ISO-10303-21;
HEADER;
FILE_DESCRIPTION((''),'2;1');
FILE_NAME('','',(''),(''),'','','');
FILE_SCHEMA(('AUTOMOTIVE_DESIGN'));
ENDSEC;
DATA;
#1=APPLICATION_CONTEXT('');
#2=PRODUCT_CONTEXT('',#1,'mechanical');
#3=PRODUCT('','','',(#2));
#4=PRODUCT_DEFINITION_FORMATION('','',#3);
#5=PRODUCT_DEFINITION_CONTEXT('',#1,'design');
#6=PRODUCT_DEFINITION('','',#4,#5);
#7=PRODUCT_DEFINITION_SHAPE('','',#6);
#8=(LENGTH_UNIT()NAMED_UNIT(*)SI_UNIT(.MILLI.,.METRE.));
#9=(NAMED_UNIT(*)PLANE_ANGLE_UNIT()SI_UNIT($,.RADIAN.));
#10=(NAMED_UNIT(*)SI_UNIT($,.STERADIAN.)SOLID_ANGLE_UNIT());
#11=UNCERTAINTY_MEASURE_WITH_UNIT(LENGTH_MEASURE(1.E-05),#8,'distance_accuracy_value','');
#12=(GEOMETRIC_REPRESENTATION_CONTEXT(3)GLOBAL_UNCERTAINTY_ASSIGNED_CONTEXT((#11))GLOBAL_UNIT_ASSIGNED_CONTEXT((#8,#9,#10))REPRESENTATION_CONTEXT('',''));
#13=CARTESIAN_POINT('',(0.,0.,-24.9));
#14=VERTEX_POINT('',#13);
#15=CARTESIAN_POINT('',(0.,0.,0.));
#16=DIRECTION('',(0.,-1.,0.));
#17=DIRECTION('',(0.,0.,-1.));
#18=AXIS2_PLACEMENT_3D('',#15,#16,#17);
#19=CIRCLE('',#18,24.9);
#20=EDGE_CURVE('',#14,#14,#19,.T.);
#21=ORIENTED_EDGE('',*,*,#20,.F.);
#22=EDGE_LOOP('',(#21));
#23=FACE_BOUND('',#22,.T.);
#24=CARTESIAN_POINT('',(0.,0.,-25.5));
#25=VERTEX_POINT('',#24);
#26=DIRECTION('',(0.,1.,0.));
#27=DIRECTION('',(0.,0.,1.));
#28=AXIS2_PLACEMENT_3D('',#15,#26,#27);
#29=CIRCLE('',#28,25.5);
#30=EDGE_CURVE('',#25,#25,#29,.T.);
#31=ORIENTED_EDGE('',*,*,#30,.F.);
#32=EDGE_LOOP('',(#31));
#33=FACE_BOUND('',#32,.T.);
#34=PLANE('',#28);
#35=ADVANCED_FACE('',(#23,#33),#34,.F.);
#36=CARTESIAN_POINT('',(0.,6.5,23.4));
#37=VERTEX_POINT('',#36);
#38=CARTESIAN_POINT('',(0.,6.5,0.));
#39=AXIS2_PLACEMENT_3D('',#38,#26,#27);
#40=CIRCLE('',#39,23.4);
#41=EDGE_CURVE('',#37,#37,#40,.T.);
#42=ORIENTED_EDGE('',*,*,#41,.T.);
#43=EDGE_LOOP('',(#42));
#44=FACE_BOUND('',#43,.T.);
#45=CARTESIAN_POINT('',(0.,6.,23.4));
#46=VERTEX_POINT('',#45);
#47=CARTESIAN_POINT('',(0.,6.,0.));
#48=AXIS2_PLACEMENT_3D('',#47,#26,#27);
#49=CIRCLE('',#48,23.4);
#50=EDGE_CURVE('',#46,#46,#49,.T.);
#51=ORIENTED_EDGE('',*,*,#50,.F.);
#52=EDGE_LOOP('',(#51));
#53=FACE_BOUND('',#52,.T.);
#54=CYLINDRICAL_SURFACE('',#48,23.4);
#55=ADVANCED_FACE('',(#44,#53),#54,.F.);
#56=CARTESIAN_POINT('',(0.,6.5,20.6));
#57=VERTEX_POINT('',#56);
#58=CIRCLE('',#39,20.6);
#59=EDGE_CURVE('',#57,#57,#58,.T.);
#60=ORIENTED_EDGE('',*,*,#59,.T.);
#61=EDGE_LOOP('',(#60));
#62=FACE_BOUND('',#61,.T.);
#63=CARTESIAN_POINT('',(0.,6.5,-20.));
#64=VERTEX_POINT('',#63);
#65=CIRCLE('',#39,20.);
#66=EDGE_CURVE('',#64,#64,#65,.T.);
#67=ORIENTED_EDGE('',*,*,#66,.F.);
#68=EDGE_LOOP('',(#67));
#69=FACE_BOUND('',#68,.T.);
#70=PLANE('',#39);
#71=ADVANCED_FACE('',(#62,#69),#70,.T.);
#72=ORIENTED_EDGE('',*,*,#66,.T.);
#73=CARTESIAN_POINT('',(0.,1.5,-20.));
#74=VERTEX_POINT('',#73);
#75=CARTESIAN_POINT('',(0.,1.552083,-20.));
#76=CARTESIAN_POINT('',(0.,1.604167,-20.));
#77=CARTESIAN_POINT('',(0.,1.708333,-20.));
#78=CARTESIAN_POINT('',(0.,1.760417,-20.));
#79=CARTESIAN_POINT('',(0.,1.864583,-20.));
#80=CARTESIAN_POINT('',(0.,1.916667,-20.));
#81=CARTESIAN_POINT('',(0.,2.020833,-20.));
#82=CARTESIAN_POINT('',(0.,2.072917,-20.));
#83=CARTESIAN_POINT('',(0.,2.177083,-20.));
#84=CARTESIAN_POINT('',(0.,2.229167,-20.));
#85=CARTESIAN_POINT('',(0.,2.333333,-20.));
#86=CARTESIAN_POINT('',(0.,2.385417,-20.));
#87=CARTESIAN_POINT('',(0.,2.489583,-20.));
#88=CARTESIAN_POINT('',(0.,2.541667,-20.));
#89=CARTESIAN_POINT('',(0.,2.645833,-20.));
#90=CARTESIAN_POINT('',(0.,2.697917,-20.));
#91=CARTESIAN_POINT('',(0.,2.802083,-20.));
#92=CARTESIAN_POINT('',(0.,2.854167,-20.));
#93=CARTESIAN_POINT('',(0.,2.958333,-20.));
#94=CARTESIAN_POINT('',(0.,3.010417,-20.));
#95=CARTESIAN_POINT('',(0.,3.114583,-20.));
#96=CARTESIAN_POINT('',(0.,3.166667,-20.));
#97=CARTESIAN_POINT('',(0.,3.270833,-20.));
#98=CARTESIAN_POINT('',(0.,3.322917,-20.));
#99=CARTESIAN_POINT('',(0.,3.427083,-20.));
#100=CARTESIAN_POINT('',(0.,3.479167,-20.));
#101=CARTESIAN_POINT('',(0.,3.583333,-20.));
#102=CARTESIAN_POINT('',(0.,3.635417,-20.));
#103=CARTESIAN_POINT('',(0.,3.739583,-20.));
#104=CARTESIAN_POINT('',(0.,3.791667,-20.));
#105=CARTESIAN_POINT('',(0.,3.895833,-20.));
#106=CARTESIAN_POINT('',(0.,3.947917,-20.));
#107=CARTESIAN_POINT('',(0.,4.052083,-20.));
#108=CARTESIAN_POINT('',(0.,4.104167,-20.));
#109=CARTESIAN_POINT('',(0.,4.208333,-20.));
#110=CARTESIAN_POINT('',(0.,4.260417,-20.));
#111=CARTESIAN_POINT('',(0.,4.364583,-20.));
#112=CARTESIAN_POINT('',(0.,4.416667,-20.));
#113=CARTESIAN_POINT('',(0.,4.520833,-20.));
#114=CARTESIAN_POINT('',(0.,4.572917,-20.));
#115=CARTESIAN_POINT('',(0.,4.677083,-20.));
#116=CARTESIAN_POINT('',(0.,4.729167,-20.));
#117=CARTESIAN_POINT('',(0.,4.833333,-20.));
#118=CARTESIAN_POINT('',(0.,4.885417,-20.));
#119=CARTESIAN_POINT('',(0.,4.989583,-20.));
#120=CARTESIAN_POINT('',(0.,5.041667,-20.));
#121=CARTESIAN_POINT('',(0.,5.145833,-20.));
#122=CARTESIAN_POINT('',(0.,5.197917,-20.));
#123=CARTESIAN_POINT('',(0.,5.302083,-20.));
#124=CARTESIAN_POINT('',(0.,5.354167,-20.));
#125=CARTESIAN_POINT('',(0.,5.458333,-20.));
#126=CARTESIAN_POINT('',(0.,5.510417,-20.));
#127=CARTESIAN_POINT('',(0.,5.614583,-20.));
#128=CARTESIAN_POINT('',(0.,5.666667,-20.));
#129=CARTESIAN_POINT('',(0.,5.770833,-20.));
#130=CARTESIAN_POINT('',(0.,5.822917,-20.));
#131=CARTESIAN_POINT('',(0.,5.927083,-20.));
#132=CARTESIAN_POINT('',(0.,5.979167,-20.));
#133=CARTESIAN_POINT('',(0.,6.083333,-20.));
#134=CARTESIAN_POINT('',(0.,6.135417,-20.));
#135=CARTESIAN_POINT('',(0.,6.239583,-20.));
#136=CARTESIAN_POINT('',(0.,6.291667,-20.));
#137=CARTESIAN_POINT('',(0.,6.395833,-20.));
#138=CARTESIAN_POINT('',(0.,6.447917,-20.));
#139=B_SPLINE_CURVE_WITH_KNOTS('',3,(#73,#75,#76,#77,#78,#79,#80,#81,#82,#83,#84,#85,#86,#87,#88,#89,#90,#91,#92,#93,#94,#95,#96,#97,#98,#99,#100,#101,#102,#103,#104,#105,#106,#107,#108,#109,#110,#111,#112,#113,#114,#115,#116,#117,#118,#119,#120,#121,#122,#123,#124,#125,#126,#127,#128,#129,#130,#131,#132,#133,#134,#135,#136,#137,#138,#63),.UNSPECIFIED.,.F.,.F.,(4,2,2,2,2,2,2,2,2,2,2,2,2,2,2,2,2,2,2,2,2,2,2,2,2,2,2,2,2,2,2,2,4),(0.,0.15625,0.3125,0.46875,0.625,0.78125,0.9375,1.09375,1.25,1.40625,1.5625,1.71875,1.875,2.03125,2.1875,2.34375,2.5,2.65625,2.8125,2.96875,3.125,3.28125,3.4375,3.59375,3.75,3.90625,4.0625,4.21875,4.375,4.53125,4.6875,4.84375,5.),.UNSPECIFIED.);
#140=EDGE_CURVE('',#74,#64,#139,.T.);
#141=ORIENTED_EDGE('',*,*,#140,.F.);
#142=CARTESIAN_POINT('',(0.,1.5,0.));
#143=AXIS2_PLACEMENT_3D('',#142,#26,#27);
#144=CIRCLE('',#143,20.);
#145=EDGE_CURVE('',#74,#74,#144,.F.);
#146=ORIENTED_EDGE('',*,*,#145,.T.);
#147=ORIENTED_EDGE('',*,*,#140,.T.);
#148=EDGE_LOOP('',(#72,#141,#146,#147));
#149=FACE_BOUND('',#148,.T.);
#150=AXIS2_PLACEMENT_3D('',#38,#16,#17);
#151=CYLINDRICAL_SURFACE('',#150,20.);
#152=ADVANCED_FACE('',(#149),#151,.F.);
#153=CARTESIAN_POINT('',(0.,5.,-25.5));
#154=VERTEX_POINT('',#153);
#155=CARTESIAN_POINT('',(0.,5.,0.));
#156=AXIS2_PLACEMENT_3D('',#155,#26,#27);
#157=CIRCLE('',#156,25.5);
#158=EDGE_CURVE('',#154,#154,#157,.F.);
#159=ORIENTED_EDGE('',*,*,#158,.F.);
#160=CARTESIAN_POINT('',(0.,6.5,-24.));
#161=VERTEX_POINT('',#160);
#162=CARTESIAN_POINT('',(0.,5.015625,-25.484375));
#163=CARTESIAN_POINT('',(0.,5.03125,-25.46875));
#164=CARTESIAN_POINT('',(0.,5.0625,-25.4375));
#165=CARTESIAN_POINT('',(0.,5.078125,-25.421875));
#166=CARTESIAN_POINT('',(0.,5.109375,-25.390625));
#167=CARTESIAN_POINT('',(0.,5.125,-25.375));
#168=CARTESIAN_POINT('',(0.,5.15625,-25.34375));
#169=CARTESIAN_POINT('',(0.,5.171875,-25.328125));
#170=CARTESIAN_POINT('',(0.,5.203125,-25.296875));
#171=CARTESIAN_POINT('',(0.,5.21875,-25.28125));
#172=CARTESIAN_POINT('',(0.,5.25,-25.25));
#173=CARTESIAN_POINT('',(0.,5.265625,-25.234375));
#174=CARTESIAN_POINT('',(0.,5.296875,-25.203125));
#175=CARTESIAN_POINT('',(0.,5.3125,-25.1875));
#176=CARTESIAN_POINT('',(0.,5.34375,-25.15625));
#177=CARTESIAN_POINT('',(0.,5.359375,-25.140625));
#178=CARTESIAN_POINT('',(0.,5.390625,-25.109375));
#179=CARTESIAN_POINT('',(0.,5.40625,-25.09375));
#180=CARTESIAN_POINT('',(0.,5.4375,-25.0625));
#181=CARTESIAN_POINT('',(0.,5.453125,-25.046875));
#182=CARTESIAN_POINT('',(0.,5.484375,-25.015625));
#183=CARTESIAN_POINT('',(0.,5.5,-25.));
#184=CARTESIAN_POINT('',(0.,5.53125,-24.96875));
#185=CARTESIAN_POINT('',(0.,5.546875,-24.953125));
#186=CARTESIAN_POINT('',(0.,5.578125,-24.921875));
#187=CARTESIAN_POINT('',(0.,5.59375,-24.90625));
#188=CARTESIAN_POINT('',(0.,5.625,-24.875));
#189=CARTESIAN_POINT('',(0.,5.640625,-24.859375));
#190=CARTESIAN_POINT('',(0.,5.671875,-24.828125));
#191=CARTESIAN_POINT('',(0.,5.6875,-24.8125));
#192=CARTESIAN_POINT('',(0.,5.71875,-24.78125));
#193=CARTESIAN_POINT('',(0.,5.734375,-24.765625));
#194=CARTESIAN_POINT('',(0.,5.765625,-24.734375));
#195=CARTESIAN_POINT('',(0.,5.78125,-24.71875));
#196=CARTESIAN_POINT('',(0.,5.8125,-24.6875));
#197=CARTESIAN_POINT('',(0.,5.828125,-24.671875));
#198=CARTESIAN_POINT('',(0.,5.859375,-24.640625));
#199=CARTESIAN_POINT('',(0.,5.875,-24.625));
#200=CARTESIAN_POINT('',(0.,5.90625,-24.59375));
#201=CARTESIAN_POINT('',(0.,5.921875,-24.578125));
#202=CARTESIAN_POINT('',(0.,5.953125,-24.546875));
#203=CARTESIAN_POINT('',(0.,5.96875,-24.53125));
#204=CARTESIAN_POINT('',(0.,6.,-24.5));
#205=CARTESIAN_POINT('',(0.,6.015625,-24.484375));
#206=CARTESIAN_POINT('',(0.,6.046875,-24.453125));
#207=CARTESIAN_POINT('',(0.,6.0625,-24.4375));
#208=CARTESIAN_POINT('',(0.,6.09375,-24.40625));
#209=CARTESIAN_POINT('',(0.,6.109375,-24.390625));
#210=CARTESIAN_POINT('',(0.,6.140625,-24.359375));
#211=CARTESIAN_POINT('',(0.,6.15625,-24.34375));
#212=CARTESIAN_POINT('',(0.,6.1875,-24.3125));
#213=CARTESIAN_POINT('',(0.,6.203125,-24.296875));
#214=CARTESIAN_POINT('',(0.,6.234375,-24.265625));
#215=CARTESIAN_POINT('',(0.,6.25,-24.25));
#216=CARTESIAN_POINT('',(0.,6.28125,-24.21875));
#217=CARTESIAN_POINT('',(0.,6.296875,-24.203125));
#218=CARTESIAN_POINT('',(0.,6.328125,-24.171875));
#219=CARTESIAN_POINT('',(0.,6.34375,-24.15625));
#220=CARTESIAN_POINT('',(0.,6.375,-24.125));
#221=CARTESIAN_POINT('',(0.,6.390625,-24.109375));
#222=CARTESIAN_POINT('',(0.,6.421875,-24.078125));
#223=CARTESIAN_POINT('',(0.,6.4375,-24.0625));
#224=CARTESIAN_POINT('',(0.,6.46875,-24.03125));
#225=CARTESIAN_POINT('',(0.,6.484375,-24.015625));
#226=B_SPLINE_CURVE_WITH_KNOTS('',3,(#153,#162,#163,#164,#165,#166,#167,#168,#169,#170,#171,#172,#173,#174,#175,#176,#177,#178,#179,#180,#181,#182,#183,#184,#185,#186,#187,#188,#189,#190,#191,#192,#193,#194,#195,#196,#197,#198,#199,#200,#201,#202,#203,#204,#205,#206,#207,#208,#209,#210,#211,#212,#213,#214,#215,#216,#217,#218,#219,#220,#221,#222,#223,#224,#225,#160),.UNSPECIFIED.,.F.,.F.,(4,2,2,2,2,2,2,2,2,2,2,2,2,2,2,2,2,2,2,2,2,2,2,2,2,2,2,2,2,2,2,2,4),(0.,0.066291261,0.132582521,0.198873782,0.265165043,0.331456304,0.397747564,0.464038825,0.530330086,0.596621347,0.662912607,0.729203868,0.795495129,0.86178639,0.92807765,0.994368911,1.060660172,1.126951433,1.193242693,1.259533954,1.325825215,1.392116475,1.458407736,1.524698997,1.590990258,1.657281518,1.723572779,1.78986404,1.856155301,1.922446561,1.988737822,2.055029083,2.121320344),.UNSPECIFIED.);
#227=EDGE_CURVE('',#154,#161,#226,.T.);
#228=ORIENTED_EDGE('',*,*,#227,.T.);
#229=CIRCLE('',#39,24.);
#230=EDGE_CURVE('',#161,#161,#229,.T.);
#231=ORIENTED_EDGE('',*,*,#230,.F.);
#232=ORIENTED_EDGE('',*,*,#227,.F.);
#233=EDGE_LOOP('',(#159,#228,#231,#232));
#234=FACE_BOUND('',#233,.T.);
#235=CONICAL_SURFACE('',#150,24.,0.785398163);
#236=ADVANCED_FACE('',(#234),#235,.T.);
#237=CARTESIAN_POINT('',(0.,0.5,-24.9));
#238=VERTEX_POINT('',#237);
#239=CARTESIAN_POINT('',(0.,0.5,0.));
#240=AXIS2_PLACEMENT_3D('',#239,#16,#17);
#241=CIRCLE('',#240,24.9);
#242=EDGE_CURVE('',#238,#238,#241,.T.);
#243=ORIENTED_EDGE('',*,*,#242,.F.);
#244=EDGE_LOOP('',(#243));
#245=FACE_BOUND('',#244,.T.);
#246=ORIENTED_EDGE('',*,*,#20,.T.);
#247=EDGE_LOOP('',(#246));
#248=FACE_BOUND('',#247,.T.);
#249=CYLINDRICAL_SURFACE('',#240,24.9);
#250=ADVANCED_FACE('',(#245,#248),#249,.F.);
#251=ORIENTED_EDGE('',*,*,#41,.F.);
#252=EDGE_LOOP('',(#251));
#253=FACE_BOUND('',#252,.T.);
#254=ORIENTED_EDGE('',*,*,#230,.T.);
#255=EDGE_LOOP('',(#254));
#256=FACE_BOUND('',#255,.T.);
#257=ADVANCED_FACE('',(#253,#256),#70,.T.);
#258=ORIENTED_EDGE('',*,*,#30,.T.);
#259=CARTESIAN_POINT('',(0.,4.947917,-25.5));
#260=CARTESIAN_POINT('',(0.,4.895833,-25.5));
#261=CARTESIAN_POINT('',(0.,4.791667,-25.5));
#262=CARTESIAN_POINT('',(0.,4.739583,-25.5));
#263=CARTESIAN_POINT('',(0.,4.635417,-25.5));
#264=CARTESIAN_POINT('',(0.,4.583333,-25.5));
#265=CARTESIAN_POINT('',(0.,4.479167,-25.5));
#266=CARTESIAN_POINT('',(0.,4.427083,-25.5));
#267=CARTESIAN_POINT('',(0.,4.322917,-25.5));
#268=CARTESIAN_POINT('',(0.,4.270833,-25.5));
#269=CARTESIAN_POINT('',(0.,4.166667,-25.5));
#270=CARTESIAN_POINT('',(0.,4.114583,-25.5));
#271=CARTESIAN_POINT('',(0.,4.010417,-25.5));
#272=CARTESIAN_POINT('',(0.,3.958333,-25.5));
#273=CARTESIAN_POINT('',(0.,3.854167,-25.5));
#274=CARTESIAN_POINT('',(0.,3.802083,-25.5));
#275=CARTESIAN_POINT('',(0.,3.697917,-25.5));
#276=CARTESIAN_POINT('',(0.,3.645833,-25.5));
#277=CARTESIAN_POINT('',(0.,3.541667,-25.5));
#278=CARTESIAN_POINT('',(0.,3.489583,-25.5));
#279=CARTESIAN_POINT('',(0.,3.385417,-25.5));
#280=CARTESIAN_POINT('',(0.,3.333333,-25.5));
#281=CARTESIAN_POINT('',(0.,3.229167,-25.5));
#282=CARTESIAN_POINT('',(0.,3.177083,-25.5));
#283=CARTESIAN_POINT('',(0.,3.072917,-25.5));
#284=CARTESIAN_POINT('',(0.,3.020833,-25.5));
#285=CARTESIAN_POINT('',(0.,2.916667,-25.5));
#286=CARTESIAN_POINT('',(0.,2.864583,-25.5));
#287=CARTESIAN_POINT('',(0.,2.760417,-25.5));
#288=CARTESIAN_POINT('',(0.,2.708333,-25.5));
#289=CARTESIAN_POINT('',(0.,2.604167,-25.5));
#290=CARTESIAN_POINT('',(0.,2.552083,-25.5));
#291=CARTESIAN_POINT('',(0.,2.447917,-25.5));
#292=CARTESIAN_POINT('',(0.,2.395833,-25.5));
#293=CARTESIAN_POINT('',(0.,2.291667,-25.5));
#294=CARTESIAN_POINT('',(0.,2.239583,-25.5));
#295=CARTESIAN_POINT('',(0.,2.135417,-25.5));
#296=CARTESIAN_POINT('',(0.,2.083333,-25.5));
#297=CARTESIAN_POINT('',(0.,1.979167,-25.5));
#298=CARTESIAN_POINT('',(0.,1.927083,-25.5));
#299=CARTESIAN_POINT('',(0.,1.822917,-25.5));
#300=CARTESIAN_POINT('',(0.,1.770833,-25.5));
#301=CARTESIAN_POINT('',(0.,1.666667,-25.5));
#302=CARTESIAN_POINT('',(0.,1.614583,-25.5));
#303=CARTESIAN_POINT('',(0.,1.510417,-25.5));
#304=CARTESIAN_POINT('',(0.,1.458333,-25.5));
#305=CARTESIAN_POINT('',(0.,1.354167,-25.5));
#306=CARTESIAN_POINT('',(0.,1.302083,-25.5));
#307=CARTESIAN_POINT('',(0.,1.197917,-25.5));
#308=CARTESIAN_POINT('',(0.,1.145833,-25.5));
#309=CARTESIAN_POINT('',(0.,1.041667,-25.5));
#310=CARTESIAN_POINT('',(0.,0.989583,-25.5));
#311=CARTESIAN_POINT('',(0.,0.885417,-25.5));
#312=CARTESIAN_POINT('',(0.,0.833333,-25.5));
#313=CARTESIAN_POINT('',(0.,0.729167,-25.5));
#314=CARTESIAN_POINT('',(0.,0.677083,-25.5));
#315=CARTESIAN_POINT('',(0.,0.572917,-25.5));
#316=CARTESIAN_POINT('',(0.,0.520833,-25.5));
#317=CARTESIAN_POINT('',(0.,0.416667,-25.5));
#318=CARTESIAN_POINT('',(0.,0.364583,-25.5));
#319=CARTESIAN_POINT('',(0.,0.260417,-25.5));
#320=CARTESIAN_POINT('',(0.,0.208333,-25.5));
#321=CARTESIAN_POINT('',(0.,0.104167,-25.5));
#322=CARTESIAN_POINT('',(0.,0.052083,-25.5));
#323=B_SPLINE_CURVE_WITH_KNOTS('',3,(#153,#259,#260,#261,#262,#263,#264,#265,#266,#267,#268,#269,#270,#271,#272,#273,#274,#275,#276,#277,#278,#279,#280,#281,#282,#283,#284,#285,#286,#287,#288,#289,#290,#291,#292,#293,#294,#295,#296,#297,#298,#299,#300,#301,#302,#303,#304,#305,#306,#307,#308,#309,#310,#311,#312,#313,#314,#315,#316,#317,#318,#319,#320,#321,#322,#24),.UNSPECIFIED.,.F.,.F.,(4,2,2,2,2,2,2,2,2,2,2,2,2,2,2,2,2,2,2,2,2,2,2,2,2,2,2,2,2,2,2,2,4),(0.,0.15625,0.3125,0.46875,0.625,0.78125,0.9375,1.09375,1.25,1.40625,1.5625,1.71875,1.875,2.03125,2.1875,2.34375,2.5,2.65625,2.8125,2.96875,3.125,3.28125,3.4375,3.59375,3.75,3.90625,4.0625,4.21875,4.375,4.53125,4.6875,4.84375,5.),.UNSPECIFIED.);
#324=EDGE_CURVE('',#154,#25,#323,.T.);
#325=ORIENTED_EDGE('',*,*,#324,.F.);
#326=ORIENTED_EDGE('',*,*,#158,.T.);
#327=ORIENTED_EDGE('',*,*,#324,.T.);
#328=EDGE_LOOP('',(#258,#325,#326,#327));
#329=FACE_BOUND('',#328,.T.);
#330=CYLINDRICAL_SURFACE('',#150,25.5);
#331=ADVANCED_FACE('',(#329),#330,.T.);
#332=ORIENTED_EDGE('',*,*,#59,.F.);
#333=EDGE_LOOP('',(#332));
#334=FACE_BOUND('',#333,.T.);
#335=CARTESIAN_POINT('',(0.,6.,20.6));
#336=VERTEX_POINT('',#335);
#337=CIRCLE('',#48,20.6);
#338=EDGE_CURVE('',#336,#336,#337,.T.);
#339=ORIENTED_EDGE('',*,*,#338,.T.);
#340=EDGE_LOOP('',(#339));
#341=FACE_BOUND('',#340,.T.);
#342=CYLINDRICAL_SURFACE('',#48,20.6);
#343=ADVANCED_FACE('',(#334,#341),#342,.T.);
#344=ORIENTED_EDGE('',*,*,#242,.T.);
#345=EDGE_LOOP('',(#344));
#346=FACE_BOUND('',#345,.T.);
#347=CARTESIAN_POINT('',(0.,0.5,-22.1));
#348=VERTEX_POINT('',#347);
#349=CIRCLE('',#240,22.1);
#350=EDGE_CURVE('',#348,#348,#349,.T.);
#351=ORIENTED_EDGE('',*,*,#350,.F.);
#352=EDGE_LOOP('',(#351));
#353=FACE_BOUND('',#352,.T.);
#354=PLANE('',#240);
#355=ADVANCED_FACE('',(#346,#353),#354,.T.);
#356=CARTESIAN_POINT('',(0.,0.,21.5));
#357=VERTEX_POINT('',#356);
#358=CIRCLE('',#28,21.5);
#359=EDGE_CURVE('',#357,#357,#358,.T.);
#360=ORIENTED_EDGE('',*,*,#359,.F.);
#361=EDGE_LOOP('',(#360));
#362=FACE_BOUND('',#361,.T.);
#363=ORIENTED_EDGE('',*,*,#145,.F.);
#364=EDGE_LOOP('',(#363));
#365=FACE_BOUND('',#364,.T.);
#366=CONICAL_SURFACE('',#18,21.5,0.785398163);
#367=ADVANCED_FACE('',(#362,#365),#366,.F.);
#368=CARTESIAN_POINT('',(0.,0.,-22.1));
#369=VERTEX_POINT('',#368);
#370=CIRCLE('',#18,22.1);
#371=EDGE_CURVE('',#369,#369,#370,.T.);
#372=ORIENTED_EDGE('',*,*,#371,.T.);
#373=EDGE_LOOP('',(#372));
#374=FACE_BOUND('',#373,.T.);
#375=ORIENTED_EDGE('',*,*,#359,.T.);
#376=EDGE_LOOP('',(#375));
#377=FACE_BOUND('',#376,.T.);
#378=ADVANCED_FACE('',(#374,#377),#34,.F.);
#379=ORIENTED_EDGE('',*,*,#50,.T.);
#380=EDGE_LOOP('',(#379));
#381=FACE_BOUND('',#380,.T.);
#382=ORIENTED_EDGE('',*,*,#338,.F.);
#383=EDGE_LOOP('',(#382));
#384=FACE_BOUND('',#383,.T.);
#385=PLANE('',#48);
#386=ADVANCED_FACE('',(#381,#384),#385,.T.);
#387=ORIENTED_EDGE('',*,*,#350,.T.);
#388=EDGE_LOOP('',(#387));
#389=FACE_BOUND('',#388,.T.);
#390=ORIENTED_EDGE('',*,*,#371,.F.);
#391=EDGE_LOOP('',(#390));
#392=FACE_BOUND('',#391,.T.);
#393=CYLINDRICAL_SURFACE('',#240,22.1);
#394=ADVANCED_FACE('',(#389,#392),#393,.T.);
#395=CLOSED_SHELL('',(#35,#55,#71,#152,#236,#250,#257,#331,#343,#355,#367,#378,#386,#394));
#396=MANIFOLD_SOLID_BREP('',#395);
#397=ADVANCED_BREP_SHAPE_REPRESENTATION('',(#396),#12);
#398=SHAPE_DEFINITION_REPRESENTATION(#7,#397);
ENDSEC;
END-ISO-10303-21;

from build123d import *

# Parameters (mm, degrees)
SKETCH_1_R          = 25.5
SKETCH_1_R_2        = 20
EXTRUDE_1_DEPTH     = 6.5
CHAMFER_1_SIZE      = 1.5
CHAMFER_2_SIZE      = 1.5
SKETCH_2_R          = 23.4
SKETCH_2_R_2        = 20.6
CUT_EXTRUDE_1_DEPTH = 0.5
SKETCH_3_R          = 24.9
SKETCH_3_R_2        = 22.1
CUT_EXTRUDE_2_DEPTH = 0.5


with BuildPart() as part:
    # 草图1 → 凸台-拉伸1 (new body)
    with BuildSketch(Plane(origin=(0, 0, 0), x_dir=(1, 0, 0), z_dir=(0, 1, 0))):
        with Locations(Location((0, 0, 0), (0, 0, 90))):
            Circle(SKETCH_1_R)
        with Locations(Location((0, 0, 0), (0, 0, 90))):
            Circle(SKETCH_1_R_2, mode=Mode.SUBTRACT)
    extrude(amount=EXTRUDE_1_DEPTH)

    # 倒角1
    chamfer_1_edges = [part.edges().sort_by_distance(p)[0] for p in [
        (0, 6.5, 25.5),
    ]]
    chamfer(chamfer_1_edges, length=CHAMFER_1_SIZE)

    # 倒角2
    chamfer_2_edges = [part.edges().sort_by_distance(p)[0] for p in [
        (0, 0, 20),
    ]]
    chamfer(chamfer_2_edges, length=CHAMFER_2_SIZE)

    # 草图2 → 切除-拉伸1 (cut)
    with BuildSketch(Plane(origin=(0, 6.5, 0), x_dir=(1, 0, 0), z_dir=(0, 1, 0))):
        with Locations(Location((0, 0, 0), (0, 0, 270))):
            Circle(SKETCH_2_R)
        with Locations(Location((0, 0, 0), (0, 0, 270))):
            Circle(SKETCH_2_R_2, mode=Mode.SUBTRACT)
    extrude(amount=-CUT_EXTRUDE_1_DEPTH, mode=Mode.SUBTRACT)

    # 草图3 → 切除-拉伸2 (cut)
    with BuildSketch(Plane.XZ):
        with Locations(Location((0, 0, 0), (0, 0, 270))):
            Circle(SKETCH_3_R)
        with Locations(Location((0, 0, 0), (0, 0, 270))):
            Circle(SKETCH_3_R_2, mode=Mode.SUBTRACT)
    extrude(amount=-CUT_EXTRUDE_2_DEPTH, mode=Mode.SUBTRACT)


solid = part.part
